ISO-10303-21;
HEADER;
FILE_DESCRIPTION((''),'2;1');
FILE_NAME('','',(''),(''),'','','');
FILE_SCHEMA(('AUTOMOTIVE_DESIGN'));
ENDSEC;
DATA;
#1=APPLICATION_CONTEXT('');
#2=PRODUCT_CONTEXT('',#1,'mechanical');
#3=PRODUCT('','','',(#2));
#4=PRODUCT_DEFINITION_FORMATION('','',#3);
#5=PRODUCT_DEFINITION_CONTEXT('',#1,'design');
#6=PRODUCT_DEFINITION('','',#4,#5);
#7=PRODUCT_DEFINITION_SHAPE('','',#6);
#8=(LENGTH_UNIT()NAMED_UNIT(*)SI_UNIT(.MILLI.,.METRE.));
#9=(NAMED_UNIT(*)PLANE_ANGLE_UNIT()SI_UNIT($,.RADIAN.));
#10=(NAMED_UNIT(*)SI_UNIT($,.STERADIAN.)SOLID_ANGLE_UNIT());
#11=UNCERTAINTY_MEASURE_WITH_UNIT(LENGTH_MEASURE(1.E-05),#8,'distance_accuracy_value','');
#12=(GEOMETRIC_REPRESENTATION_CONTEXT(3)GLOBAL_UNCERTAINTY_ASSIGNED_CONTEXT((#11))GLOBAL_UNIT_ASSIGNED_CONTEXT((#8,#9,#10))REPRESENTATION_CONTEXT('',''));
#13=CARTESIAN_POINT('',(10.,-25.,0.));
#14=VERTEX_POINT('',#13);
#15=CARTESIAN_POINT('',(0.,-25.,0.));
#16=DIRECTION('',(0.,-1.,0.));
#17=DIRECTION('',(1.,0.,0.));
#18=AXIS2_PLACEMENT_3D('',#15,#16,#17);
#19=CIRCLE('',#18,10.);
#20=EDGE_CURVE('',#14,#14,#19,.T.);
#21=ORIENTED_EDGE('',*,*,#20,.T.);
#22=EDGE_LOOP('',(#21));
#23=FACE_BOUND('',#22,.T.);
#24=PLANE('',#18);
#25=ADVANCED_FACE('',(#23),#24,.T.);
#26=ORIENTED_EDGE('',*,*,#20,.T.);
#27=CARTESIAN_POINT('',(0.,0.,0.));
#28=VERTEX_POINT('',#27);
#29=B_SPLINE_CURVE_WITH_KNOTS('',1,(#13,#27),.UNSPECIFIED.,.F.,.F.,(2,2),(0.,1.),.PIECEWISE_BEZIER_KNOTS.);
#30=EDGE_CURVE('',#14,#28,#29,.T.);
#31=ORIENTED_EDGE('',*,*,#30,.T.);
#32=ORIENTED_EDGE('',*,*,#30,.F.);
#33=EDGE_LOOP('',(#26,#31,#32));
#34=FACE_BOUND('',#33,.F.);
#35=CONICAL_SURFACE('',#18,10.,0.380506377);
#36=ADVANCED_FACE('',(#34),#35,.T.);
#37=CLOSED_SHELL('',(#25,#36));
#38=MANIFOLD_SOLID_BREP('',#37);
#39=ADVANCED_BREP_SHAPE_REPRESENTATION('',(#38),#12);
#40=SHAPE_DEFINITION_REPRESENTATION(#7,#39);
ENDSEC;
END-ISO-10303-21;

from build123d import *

# Parameters (mm, degrees)
F0_R       = 10
F1_DEPTH   = 25
F1_FACE1_R = 10


with BuildPart() as f1:
    # F0 (on Front) → F1 (new body)
    with BuildSketch(Plane.XZ):
        Circle(F0_R)
    extrude(amount=F1_DEPTH)

    # F1_face1 (on face) → F4 section 0
    with BuildSketch(Plane.XZ.offset(25), mode=Mode.PRIVATE) as f4_s0:
        Circle(F1_FACE1_R)
    loft([f4_s0.sketch, Vertex(0, 0, 0)], mode=Mode.INTERSECT)


solid = f1.part
